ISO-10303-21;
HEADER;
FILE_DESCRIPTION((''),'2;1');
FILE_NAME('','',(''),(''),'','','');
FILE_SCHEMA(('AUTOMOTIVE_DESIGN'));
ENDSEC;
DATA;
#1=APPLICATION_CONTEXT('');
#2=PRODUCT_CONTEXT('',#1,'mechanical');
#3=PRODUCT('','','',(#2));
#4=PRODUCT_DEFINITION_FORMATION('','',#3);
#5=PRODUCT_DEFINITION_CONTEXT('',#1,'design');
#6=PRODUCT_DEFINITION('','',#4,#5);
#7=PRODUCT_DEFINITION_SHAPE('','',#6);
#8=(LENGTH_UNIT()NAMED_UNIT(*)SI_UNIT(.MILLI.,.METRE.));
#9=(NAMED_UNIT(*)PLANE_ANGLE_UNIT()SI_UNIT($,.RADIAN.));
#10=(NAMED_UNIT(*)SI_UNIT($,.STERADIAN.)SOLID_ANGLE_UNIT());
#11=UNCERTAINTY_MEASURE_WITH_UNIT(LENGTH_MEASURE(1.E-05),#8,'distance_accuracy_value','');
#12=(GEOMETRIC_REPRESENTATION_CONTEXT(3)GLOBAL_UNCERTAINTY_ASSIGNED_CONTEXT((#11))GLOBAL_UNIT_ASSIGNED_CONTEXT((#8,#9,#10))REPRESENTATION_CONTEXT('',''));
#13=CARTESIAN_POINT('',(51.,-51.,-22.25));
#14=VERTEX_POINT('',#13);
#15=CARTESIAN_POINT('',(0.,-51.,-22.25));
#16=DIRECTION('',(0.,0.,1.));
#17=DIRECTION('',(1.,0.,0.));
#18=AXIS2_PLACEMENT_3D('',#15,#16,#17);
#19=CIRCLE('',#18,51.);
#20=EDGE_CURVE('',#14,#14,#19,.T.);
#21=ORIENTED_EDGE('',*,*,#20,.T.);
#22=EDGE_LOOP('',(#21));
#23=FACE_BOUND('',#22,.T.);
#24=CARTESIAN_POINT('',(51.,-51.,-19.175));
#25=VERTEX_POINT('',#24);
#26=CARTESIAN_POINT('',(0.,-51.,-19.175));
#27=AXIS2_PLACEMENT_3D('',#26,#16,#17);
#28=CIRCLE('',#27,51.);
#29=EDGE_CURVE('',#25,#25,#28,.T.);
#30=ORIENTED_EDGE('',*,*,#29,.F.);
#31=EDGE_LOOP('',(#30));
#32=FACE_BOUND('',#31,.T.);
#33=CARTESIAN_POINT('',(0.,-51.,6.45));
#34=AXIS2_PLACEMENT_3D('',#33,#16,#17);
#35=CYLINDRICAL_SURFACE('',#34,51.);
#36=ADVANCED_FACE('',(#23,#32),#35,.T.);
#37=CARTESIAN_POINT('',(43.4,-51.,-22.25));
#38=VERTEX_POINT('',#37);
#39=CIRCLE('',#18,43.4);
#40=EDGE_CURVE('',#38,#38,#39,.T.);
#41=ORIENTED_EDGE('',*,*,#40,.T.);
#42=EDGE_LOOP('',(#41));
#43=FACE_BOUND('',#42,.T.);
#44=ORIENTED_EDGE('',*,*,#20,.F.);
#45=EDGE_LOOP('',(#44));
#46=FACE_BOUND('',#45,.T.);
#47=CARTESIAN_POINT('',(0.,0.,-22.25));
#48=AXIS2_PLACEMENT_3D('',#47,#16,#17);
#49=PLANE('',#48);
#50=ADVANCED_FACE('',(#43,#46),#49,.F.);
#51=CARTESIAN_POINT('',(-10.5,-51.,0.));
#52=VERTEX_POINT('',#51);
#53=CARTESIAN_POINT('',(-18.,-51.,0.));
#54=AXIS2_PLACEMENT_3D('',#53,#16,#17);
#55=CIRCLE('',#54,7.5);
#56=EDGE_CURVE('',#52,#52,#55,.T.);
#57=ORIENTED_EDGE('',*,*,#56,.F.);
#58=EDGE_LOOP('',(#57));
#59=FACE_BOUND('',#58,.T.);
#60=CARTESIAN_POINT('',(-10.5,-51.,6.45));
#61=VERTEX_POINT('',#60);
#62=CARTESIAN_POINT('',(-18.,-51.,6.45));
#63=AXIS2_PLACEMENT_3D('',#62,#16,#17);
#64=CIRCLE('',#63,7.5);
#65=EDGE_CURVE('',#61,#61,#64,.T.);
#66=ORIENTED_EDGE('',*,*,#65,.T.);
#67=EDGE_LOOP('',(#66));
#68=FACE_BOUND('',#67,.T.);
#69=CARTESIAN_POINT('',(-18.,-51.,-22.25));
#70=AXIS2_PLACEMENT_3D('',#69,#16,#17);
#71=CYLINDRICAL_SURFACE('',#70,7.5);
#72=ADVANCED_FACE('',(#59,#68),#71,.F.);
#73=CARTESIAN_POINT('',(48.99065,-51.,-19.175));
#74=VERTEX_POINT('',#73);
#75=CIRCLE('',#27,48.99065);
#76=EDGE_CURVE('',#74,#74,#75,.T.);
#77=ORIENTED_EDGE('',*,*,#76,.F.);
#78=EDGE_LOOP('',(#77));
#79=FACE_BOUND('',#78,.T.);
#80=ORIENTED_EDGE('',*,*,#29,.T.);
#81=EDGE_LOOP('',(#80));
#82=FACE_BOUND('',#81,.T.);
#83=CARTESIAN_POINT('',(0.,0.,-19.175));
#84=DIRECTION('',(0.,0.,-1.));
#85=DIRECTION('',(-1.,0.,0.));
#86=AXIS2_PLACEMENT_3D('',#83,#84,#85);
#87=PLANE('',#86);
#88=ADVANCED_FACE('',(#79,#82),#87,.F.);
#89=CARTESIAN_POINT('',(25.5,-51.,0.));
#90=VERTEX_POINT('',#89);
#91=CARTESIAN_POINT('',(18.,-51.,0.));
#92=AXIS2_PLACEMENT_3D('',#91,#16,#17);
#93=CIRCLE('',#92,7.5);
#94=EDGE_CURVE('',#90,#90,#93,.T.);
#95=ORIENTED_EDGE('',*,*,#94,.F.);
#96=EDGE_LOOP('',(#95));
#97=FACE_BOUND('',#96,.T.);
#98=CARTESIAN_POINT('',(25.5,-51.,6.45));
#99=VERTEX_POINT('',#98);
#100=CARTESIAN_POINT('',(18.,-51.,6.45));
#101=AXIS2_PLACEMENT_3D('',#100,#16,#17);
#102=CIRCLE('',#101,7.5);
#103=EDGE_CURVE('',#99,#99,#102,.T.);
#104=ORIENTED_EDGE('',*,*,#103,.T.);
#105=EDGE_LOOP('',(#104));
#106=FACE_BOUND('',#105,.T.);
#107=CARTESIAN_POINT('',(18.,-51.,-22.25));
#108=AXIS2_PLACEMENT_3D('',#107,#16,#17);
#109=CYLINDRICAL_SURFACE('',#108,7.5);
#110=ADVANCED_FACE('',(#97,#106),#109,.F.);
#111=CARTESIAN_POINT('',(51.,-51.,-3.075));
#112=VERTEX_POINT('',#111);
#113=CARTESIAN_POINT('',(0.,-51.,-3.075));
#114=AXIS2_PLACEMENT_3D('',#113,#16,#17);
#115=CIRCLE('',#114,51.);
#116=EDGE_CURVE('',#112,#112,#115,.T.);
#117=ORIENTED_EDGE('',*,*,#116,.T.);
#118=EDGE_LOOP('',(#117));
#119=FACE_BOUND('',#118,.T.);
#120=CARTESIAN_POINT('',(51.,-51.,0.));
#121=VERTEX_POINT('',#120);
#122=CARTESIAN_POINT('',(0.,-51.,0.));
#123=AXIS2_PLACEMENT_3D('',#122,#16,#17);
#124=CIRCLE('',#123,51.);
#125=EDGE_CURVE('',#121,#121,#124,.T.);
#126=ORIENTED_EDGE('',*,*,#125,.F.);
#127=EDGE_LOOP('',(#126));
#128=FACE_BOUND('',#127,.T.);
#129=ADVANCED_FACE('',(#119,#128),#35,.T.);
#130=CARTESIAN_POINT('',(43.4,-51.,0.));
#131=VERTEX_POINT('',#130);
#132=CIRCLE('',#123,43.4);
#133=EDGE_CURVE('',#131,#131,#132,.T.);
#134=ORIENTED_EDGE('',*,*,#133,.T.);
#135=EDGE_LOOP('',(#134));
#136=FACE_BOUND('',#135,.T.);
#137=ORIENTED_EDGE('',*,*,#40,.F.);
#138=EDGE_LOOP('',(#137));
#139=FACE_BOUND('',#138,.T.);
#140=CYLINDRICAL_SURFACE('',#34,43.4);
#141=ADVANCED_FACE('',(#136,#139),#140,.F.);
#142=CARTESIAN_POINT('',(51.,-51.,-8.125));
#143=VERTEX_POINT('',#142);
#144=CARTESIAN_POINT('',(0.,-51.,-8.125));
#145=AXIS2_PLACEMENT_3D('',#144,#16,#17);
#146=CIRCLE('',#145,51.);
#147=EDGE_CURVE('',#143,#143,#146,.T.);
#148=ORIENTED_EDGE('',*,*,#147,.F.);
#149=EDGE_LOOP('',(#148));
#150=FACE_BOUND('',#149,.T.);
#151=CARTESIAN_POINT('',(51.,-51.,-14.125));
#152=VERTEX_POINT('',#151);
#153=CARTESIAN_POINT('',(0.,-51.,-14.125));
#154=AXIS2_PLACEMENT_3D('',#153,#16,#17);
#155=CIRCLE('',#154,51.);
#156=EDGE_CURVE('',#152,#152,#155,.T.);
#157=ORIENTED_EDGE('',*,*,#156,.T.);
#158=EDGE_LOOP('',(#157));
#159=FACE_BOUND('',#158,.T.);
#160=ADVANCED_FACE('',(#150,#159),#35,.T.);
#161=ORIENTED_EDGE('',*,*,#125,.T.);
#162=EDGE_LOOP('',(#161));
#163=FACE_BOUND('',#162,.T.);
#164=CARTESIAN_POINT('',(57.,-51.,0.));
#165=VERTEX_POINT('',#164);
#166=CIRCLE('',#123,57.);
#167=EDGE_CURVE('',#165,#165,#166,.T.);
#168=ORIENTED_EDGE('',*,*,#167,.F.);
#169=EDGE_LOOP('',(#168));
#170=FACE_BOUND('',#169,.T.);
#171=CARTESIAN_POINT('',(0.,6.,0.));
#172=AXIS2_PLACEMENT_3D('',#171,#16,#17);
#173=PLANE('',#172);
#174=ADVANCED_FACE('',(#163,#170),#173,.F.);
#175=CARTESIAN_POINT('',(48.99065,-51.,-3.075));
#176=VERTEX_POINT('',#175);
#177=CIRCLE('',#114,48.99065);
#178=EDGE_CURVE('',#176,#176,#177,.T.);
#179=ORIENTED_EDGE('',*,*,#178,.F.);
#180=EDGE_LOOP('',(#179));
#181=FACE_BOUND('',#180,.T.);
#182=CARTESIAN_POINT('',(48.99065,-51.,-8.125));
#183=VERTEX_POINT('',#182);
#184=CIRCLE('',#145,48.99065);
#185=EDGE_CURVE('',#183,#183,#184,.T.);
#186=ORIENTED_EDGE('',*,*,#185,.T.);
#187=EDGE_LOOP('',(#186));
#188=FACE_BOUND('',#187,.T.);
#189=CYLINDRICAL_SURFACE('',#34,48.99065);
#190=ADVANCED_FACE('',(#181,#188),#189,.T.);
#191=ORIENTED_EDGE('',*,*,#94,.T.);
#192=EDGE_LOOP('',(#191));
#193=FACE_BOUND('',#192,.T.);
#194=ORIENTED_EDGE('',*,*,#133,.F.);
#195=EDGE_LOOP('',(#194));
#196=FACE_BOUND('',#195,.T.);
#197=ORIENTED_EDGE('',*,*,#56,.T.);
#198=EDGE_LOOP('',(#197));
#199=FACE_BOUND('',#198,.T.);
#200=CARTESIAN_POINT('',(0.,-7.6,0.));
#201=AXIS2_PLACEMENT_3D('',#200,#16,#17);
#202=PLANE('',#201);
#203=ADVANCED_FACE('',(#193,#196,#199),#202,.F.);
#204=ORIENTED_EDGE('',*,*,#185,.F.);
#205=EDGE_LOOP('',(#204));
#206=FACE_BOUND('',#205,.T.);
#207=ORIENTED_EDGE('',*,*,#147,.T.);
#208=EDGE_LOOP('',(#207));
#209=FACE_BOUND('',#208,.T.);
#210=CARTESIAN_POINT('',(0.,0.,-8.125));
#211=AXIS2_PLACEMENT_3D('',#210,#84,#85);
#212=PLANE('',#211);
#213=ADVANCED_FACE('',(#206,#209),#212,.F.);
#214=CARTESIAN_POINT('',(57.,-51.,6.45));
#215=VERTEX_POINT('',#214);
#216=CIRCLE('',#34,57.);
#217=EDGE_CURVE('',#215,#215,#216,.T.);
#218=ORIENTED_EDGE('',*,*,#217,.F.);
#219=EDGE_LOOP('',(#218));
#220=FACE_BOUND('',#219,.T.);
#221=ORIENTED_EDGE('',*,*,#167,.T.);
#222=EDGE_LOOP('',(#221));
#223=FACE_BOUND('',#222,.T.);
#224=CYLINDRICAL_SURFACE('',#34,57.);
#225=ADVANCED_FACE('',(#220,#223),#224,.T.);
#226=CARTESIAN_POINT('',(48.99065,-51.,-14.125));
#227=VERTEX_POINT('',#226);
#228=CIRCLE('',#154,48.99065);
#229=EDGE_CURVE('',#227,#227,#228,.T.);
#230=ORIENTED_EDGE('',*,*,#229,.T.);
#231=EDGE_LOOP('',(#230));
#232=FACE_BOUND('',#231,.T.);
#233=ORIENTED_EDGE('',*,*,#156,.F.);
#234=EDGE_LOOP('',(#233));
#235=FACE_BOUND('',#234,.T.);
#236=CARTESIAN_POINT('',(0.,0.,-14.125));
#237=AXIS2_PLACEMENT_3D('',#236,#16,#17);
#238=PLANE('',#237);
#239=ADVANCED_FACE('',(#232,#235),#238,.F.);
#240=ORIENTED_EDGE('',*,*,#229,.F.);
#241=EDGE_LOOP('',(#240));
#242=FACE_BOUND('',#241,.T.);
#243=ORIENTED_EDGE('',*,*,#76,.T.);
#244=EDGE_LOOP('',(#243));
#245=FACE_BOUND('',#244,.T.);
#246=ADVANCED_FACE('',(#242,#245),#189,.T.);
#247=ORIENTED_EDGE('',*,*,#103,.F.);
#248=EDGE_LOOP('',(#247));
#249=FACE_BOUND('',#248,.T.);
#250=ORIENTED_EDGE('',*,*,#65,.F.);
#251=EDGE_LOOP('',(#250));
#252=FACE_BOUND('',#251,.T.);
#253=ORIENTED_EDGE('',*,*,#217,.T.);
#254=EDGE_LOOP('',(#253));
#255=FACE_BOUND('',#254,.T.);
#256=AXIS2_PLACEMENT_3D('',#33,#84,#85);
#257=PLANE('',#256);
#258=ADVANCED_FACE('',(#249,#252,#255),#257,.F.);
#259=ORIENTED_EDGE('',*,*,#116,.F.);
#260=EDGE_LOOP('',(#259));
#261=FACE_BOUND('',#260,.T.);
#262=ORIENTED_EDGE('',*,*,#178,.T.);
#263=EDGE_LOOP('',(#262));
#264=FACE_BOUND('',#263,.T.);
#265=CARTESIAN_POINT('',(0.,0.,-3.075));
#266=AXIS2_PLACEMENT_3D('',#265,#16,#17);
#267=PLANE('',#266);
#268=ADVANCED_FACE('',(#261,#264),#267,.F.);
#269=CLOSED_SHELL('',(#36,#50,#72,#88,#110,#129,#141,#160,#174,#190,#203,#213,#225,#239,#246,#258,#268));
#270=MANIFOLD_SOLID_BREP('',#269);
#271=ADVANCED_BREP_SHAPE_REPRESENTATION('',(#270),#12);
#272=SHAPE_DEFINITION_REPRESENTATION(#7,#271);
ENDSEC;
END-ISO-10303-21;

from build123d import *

# Parameters (mm, degrees)
SKETCH2_R          = 7.5
CUT_EXTRUDE2_DEPTH = 29.7


with BuildPart() as part:
    # Sketch1 → Revolve1 (revolve)
    with BuildSketch(Plane(origin=(0, 0, 0), x_dir=(0, 0, -1), z_dir=(1, 0, 0))):
        Polygon((-6.45, 6), (0, 6), (0, 0), (3.075, 0), (3.075, -2.009350098), (8.125, -2.009350098), (8.125, 0), (14.125, 0), (14.125, -2.009350098), (19.175, -2.009350098), (19.175, 0), (22.25, 0), (22.25, -7.6), (0, -7.6), (0, -51), (-6.45, -51), align=None)
    revolve(axis=Axis((0, -51, 6.45), (0, 0, -1)))

    # Sketch2 → Cut-Extrude2 (cut, through all)
    with BuildSketch(Plane.XY.offset(6.45)):
        with Locations((18, -51)):
            Circle(SKETCH2_R)
        with Locations((-18, -51)):
            Circle(SKETCH2_R)
    extrude(amount=-CUT_EXTRUDE2_DEPTH, mode=Mode.SUBTRACT)


solid = part.part
